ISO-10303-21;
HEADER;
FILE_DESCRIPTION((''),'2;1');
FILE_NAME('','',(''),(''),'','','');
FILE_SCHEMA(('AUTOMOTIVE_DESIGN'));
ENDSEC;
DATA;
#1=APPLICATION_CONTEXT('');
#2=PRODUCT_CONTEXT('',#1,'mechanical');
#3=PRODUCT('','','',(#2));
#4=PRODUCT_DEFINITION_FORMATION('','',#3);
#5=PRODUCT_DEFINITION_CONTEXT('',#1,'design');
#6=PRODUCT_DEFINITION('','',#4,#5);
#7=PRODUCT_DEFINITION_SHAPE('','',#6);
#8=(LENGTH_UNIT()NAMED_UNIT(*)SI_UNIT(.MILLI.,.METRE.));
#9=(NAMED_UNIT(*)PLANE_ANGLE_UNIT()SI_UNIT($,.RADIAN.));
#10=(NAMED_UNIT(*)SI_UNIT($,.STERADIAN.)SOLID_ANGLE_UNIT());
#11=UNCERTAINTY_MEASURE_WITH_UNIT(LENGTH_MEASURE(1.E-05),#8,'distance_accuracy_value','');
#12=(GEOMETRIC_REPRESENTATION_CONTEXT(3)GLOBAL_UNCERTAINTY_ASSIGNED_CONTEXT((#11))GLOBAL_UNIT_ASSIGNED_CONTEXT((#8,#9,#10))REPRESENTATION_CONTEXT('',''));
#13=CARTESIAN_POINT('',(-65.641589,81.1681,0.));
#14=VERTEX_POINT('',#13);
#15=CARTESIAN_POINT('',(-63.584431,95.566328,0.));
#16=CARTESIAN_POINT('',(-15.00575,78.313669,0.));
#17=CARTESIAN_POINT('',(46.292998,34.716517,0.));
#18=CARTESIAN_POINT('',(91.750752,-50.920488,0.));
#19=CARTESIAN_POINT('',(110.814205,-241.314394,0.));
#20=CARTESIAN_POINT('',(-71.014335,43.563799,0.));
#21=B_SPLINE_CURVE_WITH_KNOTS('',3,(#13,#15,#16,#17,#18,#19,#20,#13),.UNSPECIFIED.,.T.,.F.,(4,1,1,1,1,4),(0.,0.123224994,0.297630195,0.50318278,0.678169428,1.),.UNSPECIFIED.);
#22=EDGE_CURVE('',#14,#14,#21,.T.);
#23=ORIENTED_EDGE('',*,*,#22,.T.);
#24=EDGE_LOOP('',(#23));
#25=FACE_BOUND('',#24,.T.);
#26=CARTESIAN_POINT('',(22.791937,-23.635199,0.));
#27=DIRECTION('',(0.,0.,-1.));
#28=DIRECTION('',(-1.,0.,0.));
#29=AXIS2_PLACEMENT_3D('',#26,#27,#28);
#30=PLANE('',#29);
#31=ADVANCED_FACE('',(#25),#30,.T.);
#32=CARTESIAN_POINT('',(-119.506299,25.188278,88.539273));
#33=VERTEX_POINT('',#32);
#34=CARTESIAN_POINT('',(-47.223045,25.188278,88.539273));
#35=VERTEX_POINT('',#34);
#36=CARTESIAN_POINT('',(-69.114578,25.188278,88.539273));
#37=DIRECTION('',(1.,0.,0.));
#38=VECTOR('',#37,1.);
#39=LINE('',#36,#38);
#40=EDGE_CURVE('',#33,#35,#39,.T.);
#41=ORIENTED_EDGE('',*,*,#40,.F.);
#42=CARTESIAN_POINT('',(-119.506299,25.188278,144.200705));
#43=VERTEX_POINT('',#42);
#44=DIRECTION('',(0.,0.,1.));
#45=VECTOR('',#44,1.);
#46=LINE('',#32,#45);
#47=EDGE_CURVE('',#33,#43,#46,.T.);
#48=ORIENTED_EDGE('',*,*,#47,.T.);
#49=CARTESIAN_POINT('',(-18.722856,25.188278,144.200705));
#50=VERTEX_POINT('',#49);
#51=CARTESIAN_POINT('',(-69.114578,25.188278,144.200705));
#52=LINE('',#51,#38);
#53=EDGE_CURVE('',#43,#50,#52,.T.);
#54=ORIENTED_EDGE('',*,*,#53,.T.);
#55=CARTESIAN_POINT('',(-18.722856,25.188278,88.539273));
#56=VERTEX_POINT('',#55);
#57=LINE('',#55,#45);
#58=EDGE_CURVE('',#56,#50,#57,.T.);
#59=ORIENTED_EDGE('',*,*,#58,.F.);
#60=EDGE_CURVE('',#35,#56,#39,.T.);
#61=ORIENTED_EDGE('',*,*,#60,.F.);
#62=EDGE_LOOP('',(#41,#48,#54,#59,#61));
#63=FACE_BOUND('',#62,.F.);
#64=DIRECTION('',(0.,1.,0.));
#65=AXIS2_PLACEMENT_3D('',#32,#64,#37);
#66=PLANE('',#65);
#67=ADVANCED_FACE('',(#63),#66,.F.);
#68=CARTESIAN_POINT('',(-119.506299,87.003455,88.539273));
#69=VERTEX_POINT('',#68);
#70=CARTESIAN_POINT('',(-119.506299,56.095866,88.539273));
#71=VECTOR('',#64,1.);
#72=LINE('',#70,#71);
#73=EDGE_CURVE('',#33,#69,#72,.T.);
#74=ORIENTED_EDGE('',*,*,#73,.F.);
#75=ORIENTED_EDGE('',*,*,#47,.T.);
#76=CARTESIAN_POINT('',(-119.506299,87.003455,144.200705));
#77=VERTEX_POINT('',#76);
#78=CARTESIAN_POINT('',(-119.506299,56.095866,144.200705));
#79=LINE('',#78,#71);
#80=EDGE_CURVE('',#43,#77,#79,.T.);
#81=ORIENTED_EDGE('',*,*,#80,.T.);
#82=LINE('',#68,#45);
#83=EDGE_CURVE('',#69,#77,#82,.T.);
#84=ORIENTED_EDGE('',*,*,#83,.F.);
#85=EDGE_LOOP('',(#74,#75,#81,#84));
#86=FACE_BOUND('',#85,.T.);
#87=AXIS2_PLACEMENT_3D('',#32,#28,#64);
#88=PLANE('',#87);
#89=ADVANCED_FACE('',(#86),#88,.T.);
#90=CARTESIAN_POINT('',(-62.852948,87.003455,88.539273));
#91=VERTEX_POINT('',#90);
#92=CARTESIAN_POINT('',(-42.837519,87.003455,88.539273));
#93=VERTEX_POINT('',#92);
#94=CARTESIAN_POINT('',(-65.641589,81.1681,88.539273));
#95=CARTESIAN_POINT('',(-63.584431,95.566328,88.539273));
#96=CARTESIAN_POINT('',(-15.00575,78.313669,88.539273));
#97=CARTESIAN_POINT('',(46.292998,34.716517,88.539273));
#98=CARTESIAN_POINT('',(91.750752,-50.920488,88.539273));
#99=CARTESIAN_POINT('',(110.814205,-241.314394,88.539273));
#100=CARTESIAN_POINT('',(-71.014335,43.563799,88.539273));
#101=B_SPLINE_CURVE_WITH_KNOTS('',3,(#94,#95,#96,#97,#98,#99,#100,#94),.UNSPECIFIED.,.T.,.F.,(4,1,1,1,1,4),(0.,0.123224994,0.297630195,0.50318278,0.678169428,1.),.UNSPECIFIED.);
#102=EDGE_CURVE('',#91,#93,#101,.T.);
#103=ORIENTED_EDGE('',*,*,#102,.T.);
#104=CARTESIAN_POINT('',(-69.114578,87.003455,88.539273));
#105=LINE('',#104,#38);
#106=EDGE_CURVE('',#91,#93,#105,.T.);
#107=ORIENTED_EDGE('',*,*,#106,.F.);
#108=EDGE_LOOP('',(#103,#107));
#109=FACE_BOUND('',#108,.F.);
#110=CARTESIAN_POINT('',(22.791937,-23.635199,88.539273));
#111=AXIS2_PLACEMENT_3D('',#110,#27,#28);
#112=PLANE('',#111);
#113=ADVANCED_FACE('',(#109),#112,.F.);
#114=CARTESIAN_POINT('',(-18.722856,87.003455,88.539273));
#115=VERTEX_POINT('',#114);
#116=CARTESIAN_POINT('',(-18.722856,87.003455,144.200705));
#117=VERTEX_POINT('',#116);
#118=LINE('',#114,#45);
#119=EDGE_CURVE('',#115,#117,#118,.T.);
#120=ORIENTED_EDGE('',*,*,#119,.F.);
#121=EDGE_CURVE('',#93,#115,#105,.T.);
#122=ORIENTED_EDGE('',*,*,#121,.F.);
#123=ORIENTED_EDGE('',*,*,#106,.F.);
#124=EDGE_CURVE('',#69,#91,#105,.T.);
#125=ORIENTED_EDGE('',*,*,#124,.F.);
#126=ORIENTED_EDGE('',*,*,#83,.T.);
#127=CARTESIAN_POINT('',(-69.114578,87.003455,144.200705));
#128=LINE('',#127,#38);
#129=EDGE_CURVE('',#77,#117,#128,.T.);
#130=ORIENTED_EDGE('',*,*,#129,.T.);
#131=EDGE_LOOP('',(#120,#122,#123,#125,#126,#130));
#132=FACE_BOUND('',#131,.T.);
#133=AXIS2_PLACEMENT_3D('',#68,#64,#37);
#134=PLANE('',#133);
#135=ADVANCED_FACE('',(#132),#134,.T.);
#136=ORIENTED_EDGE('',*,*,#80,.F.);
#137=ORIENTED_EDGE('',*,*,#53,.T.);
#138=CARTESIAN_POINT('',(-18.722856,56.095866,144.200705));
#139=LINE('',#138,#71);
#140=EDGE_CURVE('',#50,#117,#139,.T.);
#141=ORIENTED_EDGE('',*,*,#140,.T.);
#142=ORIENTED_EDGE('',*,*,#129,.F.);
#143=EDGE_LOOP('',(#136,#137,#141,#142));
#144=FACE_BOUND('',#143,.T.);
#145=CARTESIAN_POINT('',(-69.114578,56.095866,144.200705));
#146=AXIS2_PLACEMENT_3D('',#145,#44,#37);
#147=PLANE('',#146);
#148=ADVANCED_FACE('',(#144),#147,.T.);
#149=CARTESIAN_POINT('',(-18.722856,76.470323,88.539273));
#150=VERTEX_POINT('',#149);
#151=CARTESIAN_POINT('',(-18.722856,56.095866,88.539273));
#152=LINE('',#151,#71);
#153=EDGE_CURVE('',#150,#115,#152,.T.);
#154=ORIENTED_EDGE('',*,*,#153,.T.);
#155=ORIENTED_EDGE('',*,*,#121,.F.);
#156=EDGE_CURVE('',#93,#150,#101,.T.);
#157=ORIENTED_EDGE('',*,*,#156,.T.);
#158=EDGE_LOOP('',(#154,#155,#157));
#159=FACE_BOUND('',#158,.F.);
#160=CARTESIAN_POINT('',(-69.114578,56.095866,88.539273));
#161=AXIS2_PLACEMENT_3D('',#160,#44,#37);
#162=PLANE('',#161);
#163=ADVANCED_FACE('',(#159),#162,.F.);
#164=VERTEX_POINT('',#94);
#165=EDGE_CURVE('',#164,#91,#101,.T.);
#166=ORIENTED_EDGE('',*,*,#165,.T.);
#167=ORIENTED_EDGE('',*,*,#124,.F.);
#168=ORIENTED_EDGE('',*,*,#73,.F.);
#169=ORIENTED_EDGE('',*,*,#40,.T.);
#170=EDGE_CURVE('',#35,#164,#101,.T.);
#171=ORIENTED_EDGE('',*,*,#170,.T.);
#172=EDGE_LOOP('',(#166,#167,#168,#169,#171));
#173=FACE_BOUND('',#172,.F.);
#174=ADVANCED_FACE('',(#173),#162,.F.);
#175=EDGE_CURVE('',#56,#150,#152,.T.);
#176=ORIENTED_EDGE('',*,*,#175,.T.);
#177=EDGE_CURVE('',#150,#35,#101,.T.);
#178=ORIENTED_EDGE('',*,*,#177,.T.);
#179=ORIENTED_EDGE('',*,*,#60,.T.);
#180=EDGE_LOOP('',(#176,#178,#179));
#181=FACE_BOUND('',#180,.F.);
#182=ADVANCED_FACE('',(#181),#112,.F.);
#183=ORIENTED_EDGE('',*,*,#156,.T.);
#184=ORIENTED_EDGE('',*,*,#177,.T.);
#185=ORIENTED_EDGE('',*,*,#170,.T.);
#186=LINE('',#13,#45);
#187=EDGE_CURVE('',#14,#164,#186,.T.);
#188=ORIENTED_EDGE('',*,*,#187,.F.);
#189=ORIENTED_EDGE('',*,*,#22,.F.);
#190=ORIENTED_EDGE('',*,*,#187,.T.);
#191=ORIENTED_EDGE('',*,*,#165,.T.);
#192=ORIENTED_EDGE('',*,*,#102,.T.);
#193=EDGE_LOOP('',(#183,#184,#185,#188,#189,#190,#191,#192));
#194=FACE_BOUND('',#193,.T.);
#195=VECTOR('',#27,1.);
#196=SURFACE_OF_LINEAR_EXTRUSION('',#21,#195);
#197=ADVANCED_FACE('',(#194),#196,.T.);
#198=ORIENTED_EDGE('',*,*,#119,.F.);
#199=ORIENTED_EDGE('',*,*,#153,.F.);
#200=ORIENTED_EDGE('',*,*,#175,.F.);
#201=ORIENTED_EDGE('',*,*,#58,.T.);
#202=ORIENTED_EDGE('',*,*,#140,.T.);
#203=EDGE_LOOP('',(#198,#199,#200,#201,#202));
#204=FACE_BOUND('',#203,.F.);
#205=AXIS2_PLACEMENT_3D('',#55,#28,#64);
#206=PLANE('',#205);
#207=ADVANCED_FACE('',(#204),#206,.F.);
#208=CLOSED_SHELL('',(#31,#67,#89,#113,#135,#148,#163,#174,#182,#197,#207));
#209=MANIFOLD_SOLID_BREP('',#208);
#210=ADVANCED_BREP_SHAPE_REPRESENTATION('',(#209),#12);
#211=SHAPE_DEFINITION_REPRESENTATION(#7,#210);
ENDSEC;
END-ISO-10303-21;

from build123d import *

# Parameters (mm, degrees)
F1_DEPTH = 88.5392725468
F2_W     = 100.7834430784
F2_H     = 61.8151761591
F3_DEPTH = 55.661432445


with BuildPart() as f1:
    # F0 (on Top) → F1 (new body)
    with BuildSketch(Plane.XY):
        with BuildLine():
            add(Edge.make_bspline(
                [(-65.6415894628, 81.1681002378), (-63.5844308539, 95.5663277412), (-15.0057498265, 78.3136690562), (46.292998149, 34.7165173687), (91.7507515154, -50.9204878447), (110.8142053909, -241.3143935451), (-71.0143349582, 43.5637990301), (-65.6415894628, 81.1681002378)],
                knots=[0, 0, 0, 0, 0.123224994, 0.2976301952, 0.5031827797, 0.6781694281, 1, 1, 1, 1], degree=3))
        make_face()
    extrude(amount=F1_DEPTH)

    # F2 (on face) → F3 (join)
    with BuildSketch(Plane.XY.offset(88.5392725468)):
        with Locations((-69.1145779565, 56.0958664864)):
            Rectangle(F2_W, F2_H)
    extrude(amount=F3_DEPTH)


solid = f1.part
